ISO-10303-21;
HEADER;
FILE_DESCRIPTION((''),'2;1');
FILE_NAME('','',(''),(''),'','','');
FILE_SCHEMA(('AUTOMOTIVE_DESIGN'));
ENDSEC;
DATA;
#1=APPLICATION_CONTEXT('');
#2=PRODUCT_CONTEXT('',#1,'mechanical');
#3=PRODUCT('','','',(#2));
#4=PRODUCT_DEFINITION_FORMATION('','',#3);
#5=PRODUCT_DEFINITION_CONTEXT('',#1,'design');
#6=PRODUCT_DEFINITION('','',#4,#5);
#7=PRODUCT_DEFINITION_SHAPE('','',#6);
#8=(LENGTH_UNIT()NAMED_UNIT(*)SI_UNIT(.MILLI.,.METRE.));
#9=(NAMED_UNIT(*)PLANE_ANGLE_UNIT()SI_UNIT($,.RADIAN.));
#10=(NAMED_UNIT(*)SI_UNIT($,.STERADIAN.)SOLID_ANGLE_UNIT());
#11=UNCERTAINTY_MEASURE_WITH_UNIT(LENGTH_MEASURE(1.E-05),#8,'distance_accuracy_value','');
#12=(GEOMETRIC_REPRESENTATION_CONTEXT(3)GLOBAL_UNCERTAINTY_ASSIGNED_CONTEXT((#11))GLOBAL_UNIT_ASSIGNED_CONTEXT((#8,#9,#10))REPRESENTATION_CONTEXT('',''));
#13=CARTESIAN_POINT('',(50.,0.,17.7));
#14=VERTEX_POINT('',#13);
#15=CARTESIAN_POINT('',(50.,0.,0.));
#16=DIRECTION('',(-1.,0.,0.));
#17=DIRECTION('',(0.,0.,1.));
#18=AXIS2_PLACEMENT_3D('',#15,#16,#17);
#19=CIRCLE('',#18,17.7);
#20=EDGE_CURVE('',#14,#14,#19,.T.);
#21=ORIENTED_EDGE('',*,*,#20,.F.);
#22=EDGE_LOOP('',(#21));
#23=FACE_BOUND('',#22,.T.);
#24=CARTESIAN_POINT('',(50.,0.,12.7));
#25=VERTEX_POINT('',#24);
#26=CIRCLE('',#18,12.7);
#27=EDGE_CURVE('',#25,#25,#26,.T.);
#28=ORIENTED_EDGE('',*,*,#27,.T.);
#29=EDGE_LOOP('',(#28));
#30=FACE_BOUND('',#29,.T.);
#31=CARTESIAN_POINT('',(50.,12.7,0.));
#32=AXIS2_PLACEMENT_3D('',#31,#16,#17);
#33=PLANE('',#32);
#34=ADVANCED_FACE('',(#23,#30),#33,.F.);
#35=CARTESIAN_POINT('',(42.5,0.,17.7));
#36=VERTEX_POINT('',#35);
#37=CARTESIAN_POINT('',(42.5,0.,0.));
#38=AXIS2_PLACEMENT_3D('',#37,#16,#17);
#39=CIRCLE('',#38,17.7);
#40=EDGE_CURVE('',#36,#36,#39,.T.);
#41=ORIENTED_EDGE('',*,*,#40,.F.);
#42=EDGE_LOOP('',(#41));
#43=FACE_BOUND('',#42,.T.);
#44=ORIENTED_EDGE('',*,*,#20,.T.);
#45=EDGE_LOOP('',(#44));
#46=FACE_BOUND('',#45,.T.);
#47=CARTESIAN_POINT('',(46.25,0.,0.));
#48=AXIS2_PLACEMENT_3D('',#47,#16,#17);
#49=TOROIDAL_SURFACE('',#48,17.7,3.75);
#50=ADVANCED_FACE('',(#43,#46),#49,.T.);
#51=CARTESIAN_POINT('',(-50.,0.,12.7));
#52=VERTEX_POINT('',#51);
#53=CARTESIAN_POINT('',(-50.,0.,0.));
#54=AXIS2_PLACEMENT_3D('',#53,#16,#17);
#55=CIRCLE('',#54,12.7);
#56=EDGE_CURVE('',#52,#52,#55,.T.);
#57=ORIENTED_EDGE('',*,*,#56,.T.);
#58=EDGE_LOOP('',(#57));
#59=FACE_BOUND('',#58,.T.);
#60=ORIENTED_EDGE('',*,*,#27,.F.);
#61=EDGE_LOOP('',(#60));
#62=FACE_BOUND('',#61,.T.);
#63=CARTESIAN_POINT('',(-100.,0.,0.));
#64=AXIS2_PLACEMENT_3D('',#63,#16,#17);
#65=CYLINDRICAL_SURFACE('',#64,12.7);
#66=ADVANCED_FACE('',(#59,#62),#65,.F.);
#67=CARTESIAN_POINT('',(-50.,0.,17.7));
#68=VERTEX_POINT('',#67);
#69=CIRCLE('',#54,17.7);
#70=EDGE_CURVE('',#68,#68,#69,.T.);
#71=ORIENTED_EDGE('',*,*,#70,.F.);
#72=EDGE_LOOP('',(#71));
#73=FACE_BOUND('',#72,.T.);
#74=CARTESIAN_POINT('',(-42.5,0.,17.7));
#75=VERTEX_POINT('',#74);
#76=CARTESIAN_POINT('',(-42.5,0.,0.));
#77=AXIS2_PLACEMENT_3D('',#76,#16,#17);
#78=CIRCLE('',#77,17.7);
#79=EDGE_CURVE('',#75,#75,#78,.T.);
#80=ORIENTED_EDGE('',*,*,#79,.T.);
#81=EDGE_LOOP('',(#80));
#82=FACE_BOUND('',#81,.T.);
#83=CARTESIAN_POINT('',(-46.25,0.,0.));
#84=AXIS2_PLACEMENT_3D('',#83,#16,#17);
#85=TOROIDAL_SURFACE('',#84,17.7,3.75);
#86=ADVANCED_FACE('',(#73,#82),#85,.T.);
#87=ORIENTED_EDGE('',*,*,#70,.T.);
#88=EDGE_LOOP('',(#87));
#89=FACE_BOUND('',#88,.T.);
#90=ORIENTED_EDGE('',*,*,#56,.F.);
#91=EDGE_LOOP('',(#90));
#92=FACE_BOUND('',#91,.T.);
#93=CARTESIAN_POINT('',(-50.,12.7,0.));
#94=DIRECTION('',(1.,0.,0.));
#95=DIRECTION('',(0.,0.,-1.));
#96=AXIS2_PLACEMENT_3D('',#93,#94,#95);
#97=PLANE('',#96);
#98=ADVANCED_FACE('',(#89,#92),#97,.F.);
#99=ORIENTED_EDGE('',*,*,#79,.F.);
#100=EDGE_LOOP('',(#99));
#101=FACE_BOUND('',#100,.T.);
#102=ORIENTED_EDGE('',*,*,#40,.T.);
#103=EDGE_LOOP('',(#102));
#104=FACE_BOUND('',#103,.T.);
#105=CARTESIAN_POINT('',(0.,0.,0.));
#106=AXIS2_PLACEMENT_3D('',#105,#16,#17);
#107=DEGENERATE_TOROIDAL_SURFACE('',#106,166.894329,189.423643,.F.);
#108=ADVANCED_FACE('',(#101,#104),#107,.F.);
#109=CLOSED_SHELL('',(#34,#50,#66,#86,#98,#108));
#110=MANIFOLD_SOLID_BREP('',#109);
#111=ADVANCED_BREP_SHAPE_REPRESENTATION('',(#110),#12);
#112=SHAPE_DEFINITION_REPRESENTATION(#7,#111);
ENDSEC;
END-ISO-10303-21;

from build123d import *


with BuildPart() as part:
    # Sketch1 → Revolve1 (revolve)
    with BuildSketch(Plane.XY, mode=Mode.PRIVATE) as revolve1_sk:
        with BuildLine():
            Line((-50, 12.7), (50, 12.7))
            Line((50, 12.7), (50, 17.7))
            ThreePointArc((50, 17.7), (46.25, 21.45), (42.5, 17.7))
            ThreePointArc((42.5, 17.7), (0, 22.529313385), (-42.5, 17.7))
            ThreePointArc((-42.5, 17.7), (-46.25, 21.45), (-50, 17.7))
            Line((-50, 17.7), (-50, 12.7))
        make_face()
    revolve(revolve1_sk.sketch.rotate(Axis((-100, 0, 0), (1, 0, 0)), 90), axis=Axis((-100, 0, 0), (1, 0, 0)))


solid = part.part
